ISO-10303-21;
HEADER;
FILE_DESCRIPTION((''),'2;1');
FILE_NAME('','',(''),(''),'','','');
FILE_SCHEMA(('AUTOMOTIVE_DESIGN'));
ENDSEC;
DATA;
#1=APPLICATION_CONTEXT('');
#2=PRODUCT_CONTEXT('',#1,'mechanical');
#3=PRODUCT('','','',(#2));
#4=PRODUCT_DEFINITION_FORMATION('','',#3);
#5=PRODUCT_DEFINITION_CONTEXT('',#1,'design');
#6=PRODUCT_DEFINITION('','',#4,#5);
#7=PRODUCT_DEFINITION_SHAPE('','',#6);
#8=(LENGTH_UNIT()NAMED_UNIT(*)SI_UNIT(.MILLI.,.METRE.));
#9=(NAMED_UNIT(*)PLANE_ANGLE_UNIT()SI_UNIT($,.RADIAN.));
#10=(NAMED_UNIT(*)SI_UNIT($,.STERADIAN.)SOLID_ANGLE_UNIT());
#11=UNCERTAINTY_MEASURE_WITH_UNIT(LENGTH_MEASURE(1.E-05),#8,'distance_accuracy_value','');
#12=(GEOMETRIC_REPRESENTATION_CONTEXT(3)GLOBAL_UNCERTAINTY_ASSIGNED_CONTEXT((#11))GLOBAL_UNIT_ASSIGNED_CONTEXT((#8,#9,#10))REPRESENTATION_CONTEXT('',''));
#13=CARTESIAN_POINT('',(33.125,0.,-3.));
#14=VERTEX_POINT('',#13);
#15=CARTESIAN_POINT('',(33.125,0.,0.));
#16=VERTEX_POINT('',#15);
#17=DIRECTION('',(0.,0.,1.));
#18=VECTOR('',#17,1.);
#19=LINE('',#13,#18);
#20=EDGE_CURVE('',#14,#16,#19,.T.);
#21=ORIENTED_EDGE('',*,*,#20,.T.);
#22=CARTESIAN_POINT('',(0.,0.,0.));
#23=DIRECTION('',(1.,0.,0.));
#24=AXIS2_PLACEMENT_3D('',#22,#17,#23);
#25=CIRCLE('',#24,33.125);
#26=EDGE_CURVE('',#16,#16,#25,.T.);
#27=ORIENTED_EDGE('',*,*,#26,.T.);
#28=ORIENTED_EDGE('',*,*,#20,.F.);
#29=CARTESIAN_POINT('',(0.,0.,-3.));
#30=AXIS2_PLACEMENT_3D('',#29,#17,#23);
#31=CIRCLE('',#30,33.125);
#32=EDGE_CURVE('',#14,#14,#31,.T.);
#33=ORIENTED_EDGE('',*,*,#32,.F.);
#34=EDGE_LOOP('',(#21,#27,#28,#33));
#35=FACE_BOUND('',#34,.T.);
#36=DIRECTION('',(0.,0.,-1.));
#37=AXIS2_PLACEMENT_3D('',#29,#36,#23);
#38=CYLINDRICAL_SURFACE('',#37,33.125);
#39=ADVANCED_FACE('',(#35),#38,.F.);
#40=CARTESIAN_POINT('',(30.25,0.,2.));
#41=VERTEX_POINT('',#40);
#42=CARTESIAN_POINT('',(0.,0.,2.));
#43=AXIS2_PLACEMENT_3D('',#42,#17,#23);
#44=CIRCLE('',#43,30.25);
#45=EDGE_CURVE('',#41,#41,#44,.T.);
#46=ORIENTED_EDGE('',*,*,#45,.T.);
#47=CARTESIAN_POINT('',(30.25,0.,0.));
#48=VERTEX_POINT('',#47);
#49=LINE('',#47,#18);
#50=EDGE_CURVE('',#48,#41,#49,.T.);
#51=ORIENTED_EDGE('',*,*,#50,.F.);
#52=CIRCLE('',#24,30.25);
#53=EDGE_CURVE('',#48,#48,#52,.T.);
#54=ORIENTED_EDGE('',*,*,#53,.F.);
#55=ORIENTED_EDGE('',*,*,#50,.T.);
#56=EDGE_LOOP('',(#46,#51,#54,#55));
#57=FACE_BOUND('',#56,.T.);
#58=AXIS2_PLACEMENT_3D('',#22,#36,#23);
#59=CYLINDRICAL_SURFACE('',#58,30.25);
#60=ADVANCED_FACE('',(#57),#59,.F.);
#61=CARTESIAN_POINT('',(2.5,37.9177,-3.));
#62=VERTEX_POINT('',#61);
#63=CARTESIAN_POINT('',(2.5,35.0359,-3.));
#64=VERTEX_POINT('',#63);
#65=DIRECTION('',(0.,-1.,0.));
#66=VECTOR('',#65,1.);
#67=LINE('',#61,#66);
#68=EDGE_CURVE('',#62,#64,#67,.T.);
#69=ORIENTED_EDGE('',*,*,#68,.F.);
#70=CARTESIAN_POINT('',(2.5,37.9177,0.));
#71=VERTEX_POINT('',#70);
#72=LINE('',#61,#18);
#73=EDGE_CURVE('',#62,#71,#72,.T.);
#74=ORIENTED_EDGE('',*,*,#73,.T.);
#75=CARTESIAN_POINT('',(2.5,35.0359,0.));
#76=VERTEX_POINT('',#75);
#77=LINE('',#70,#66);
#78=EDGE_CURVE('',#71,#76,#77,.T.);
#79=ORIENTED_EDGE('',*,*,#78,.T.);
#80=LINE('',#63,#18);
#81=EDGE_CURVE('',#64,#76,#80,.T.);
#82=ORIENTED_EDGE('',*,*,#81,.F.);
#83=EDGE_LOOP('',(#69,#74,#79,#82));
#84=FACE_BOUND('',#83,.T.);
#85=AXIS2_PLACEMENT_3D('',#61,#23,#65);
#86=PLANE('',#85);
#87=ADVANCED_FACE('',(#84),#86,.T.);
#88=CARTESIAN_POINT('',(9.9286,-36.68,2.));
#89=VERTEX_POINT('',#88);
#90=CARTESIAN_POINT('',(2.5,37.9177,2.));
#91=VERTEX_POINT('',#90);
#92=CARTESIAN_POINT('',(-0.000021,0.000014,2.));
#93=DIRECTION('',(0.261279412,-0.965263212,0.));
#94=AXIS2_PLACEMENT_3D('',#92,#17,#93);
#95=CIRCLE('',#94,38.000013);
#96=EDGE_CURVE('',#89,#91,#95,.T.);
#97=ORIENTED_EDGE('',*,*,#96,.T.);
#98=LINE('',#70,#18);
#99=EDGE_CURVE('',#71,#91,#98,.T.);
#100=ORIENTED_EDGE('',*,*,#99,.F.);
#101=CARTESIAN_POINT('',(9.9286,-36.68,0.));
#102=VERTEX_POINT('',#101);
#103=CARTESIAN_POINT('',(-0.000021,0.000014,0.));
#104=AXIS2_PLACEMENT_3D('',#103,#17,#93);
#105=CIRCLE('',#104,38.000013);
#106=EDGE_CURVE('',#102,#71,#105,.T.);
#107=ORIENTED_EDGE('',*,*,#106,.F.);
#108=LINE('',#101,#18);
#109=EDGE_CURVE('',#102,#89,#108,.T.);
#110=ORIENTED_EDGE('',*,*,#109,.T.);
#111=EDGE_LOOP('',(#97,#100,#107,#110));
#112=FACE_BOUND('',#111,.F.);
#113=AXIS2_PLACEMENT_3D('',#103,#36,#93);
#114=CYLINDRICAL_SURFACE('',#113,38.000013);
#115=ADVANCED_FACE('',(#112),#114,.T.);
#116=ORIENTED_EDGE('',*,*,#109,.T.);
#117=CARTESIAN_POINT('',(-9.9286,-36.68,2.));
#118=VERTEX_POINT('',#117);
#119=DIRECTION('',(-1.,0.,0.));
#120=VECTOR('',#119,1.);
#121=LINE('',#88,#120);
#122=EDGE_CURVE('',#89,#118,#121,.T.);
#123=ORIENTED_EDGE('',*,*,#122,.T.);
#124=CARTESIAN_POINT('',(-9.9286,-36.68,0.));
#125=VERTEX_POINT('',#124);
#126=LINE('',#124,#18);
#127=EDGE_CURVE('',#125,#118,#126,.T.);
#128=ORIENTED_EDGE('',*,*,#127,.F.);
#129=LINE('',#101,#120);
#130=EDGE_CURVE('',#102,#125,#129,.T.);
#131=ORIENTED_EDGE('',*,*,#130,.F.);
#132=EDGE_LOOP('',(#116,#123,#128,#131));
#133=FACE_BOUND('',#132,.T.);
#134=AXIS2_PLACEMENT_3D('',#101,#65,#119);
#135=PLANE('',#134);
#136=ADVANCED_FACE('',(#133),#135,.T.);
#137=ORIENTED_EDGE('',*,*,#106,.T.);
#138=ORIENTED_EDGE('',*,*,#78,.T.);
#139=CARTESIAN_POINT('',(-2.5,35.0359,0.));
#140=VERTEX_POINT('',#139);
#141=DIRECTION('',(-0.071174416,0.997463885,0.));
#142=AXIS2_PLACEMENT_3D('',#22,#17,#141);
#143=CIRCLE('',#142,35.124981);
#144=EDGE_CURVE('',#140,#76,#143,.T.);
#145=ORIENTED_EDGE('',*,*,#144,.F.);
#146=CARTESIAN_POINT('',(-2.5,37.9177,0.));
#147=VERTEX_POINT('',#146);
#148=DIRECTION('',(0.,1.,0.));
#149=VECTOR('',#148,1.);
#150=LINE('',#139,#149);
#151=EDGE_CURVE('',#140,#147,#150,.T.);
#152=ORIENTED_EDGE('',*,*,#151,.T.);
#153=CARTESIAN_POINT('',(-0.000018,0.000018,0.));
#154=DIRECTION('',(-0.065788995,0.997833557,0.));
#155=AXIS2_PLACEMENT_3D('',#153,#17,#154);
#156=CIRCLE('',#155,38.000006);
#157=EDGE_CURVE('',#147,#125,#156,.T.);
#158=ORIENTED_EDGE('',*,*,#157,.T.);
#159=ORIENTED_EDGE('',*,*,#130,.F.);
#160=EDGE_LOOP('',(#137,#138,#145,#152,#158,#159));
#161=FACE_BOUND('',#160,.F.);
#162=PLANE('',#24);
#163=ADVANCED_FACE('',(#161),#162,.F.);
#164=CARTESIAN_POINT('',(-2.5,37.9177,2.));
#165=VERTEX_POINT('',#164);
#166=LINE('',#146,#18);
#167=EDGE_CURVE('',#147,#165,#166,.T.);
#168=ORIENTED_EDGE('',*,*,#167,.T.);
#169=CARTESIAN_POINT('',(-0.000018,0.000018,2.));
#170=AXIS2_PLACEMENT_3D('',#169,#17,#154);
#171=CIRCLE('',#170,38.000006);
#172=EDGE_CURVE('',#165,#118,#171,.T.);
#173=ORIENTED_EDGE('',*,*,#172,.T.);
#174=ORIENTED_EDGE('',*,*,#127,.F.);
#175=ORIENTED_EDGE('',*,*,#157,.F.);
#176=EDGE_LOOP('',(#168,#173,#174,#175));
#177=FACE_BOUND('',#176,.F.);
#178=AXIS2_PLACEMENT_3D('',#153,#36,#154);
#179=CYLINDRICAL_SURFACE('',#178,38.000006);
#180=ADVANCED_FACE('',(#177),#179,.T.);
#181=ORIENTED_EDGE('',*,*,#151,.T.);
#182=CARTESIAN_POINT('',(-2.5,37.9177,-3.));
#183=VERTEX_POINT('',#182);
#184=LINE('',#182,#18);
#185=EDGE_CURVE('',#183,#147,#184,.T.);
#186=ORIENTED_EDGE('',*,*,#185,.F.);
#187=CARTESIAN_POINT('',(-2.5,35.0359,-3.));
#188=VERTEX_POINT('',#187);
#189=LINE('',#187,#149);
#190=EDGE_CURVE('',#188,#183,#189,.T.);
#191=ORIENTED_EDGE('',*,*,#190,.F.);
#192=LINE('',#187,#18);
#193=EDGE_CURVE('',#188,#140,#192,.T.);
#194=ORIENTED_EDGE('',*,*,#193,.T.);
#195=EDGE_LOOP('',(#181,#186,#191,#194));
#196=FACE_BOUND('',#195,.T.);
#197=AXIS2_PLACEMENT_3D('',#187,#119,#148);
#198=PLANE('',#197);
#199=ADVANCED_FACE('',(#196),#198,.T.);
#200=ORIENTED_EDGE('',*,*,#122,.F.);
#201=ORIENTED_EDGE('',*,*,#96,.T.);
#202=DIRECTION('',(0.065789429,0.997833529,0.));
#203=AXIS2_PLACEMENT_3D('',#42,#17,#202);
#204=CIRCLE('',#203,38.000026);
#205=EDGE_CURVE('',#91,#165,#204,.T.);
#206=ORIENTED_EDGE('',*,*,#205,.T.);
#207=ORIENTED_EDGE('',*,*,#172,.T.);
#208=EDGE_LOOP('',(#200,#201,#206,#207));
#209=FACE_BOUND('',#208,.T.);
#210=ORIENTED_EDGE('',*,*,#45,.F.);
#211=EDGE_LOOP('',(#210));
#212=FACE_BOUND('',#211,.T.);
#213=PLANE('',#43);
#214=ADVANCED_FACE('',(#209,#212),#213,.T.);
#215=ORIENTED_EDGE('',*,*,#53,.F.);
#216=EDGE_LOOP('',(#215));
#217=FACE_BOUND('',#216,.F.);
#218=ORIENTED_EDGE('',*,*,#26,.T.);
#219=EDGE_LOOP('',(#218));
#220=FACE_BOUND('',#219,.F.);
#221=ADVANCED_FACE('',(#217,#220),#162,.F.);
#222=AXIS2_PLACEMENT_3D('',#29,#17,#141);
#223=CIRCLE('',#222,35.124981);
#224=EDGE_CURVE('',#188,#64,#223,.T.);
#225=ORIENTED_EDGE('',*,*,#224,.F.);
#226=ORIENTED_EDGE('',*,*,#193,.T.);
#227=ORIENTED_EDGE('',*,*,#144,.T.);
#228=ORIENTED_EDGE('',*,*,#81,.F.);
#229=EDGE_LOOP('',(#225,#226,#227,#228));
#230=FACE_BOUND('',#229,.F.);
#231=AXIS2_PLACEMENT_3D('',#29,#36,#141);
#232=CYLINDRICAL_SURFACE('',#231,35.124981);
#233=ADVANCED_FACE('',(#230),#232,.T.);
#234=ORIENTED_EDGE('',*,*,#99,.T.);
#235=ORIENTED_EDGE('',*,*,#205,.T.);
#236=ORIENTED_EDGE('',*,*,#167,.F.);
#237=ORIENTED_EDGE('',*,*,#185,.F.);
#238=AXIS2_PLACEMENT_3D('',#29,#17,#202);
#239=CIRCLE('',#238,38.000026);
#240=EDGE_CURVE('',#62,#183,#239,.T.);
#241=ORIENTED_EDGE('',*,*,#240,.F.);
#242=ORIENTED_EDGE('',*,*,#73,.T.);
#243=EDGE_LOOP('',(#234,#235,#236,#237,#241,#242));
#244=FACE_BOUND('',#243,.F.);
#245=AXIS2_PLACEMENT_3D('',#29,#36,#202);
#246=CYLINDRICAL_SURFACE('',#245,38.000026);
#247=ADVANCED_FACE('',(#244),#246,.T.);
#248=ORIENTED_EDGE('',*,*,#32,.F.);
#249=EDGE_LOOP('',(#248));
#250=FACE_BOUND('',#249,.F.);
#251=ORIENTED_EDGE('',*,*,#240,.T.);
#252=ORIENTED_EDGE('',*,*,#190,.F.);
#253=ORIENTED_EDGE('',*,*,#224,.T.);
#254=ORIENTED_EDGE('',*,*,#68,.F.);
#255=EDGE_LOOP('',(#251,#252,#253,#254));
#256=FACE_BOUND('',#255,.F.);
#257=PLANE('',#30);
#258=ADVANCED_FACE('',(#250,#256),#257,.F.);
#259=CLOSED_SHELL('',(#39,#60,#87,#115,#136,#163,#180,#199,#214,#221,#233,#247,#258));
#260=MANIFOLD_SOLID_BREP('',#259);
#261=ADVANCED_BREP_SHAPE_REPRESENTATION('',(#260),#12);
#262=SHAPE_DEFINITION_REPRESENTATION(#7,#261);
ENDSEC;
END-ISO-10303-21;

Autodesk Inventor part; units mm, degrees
ref_plane "YZ Plane" through (0, 0, 0) normal (1, 0, 0) x (0, 1, 0)
ref_plane "РабПлоскость1" through (0, 0, -3) normal (0, 0, 1) x (1, 0, 0)
sketch "Эскиз1" plane through (0, 0, -3) normal (0, 0, 1) x (1, 0, 0)
  circle A0 centre (0, 0) radius 33.125 projected
  arc A1 (-2.5, 35.0359) -> (2.5, 35.0359) centre (0, 0) ccw projected
  line L0 (2.5, 37.9177) -> (2.5, 35.0359)
  line L1 (-2.5, 35.0359) -> (-2.5, 37.9177)
  arc A2 (2.5, 37.9177) -> (-2.5, 37.9177) centre (0, 0) ccw
  point P0 (2.5, 35.0359)
ref_plane "РабПлоскость2" through (-38, -36.68, 0) normal (0, 0, 1) x (1, 0, 0)
extrude "Выдавливание1" add sketch "Эскиз1" along normal up to surface (3 mm away)
sketch "Эскиз2" plane through (0, 0, 0) normal (0, 0, 1) x (1, 0, 0)
  circle A0 centre (0, 0) radius 30.25 projected
  arc A1 (-2.5, 37.9177) -> (-9.9286, -36.68) centre (0, 0) ccw projected
  arc A2 (9.9286, -36.68) -> (2.5, 37.9177) centre (0, 0) ccw projected
  arc A3 (2.5, 37.9177) -> (-2.5, 37.9177) centre (0, 0) ccw
  line L0 (9.9286, -36.68) -> (-9.9286, -36.68)
  point P0 (-2.5, 37.9177)
extrude "Выдавливание2" add sketch "Эскиз2" along normal blind 2
properties part number "ring"
